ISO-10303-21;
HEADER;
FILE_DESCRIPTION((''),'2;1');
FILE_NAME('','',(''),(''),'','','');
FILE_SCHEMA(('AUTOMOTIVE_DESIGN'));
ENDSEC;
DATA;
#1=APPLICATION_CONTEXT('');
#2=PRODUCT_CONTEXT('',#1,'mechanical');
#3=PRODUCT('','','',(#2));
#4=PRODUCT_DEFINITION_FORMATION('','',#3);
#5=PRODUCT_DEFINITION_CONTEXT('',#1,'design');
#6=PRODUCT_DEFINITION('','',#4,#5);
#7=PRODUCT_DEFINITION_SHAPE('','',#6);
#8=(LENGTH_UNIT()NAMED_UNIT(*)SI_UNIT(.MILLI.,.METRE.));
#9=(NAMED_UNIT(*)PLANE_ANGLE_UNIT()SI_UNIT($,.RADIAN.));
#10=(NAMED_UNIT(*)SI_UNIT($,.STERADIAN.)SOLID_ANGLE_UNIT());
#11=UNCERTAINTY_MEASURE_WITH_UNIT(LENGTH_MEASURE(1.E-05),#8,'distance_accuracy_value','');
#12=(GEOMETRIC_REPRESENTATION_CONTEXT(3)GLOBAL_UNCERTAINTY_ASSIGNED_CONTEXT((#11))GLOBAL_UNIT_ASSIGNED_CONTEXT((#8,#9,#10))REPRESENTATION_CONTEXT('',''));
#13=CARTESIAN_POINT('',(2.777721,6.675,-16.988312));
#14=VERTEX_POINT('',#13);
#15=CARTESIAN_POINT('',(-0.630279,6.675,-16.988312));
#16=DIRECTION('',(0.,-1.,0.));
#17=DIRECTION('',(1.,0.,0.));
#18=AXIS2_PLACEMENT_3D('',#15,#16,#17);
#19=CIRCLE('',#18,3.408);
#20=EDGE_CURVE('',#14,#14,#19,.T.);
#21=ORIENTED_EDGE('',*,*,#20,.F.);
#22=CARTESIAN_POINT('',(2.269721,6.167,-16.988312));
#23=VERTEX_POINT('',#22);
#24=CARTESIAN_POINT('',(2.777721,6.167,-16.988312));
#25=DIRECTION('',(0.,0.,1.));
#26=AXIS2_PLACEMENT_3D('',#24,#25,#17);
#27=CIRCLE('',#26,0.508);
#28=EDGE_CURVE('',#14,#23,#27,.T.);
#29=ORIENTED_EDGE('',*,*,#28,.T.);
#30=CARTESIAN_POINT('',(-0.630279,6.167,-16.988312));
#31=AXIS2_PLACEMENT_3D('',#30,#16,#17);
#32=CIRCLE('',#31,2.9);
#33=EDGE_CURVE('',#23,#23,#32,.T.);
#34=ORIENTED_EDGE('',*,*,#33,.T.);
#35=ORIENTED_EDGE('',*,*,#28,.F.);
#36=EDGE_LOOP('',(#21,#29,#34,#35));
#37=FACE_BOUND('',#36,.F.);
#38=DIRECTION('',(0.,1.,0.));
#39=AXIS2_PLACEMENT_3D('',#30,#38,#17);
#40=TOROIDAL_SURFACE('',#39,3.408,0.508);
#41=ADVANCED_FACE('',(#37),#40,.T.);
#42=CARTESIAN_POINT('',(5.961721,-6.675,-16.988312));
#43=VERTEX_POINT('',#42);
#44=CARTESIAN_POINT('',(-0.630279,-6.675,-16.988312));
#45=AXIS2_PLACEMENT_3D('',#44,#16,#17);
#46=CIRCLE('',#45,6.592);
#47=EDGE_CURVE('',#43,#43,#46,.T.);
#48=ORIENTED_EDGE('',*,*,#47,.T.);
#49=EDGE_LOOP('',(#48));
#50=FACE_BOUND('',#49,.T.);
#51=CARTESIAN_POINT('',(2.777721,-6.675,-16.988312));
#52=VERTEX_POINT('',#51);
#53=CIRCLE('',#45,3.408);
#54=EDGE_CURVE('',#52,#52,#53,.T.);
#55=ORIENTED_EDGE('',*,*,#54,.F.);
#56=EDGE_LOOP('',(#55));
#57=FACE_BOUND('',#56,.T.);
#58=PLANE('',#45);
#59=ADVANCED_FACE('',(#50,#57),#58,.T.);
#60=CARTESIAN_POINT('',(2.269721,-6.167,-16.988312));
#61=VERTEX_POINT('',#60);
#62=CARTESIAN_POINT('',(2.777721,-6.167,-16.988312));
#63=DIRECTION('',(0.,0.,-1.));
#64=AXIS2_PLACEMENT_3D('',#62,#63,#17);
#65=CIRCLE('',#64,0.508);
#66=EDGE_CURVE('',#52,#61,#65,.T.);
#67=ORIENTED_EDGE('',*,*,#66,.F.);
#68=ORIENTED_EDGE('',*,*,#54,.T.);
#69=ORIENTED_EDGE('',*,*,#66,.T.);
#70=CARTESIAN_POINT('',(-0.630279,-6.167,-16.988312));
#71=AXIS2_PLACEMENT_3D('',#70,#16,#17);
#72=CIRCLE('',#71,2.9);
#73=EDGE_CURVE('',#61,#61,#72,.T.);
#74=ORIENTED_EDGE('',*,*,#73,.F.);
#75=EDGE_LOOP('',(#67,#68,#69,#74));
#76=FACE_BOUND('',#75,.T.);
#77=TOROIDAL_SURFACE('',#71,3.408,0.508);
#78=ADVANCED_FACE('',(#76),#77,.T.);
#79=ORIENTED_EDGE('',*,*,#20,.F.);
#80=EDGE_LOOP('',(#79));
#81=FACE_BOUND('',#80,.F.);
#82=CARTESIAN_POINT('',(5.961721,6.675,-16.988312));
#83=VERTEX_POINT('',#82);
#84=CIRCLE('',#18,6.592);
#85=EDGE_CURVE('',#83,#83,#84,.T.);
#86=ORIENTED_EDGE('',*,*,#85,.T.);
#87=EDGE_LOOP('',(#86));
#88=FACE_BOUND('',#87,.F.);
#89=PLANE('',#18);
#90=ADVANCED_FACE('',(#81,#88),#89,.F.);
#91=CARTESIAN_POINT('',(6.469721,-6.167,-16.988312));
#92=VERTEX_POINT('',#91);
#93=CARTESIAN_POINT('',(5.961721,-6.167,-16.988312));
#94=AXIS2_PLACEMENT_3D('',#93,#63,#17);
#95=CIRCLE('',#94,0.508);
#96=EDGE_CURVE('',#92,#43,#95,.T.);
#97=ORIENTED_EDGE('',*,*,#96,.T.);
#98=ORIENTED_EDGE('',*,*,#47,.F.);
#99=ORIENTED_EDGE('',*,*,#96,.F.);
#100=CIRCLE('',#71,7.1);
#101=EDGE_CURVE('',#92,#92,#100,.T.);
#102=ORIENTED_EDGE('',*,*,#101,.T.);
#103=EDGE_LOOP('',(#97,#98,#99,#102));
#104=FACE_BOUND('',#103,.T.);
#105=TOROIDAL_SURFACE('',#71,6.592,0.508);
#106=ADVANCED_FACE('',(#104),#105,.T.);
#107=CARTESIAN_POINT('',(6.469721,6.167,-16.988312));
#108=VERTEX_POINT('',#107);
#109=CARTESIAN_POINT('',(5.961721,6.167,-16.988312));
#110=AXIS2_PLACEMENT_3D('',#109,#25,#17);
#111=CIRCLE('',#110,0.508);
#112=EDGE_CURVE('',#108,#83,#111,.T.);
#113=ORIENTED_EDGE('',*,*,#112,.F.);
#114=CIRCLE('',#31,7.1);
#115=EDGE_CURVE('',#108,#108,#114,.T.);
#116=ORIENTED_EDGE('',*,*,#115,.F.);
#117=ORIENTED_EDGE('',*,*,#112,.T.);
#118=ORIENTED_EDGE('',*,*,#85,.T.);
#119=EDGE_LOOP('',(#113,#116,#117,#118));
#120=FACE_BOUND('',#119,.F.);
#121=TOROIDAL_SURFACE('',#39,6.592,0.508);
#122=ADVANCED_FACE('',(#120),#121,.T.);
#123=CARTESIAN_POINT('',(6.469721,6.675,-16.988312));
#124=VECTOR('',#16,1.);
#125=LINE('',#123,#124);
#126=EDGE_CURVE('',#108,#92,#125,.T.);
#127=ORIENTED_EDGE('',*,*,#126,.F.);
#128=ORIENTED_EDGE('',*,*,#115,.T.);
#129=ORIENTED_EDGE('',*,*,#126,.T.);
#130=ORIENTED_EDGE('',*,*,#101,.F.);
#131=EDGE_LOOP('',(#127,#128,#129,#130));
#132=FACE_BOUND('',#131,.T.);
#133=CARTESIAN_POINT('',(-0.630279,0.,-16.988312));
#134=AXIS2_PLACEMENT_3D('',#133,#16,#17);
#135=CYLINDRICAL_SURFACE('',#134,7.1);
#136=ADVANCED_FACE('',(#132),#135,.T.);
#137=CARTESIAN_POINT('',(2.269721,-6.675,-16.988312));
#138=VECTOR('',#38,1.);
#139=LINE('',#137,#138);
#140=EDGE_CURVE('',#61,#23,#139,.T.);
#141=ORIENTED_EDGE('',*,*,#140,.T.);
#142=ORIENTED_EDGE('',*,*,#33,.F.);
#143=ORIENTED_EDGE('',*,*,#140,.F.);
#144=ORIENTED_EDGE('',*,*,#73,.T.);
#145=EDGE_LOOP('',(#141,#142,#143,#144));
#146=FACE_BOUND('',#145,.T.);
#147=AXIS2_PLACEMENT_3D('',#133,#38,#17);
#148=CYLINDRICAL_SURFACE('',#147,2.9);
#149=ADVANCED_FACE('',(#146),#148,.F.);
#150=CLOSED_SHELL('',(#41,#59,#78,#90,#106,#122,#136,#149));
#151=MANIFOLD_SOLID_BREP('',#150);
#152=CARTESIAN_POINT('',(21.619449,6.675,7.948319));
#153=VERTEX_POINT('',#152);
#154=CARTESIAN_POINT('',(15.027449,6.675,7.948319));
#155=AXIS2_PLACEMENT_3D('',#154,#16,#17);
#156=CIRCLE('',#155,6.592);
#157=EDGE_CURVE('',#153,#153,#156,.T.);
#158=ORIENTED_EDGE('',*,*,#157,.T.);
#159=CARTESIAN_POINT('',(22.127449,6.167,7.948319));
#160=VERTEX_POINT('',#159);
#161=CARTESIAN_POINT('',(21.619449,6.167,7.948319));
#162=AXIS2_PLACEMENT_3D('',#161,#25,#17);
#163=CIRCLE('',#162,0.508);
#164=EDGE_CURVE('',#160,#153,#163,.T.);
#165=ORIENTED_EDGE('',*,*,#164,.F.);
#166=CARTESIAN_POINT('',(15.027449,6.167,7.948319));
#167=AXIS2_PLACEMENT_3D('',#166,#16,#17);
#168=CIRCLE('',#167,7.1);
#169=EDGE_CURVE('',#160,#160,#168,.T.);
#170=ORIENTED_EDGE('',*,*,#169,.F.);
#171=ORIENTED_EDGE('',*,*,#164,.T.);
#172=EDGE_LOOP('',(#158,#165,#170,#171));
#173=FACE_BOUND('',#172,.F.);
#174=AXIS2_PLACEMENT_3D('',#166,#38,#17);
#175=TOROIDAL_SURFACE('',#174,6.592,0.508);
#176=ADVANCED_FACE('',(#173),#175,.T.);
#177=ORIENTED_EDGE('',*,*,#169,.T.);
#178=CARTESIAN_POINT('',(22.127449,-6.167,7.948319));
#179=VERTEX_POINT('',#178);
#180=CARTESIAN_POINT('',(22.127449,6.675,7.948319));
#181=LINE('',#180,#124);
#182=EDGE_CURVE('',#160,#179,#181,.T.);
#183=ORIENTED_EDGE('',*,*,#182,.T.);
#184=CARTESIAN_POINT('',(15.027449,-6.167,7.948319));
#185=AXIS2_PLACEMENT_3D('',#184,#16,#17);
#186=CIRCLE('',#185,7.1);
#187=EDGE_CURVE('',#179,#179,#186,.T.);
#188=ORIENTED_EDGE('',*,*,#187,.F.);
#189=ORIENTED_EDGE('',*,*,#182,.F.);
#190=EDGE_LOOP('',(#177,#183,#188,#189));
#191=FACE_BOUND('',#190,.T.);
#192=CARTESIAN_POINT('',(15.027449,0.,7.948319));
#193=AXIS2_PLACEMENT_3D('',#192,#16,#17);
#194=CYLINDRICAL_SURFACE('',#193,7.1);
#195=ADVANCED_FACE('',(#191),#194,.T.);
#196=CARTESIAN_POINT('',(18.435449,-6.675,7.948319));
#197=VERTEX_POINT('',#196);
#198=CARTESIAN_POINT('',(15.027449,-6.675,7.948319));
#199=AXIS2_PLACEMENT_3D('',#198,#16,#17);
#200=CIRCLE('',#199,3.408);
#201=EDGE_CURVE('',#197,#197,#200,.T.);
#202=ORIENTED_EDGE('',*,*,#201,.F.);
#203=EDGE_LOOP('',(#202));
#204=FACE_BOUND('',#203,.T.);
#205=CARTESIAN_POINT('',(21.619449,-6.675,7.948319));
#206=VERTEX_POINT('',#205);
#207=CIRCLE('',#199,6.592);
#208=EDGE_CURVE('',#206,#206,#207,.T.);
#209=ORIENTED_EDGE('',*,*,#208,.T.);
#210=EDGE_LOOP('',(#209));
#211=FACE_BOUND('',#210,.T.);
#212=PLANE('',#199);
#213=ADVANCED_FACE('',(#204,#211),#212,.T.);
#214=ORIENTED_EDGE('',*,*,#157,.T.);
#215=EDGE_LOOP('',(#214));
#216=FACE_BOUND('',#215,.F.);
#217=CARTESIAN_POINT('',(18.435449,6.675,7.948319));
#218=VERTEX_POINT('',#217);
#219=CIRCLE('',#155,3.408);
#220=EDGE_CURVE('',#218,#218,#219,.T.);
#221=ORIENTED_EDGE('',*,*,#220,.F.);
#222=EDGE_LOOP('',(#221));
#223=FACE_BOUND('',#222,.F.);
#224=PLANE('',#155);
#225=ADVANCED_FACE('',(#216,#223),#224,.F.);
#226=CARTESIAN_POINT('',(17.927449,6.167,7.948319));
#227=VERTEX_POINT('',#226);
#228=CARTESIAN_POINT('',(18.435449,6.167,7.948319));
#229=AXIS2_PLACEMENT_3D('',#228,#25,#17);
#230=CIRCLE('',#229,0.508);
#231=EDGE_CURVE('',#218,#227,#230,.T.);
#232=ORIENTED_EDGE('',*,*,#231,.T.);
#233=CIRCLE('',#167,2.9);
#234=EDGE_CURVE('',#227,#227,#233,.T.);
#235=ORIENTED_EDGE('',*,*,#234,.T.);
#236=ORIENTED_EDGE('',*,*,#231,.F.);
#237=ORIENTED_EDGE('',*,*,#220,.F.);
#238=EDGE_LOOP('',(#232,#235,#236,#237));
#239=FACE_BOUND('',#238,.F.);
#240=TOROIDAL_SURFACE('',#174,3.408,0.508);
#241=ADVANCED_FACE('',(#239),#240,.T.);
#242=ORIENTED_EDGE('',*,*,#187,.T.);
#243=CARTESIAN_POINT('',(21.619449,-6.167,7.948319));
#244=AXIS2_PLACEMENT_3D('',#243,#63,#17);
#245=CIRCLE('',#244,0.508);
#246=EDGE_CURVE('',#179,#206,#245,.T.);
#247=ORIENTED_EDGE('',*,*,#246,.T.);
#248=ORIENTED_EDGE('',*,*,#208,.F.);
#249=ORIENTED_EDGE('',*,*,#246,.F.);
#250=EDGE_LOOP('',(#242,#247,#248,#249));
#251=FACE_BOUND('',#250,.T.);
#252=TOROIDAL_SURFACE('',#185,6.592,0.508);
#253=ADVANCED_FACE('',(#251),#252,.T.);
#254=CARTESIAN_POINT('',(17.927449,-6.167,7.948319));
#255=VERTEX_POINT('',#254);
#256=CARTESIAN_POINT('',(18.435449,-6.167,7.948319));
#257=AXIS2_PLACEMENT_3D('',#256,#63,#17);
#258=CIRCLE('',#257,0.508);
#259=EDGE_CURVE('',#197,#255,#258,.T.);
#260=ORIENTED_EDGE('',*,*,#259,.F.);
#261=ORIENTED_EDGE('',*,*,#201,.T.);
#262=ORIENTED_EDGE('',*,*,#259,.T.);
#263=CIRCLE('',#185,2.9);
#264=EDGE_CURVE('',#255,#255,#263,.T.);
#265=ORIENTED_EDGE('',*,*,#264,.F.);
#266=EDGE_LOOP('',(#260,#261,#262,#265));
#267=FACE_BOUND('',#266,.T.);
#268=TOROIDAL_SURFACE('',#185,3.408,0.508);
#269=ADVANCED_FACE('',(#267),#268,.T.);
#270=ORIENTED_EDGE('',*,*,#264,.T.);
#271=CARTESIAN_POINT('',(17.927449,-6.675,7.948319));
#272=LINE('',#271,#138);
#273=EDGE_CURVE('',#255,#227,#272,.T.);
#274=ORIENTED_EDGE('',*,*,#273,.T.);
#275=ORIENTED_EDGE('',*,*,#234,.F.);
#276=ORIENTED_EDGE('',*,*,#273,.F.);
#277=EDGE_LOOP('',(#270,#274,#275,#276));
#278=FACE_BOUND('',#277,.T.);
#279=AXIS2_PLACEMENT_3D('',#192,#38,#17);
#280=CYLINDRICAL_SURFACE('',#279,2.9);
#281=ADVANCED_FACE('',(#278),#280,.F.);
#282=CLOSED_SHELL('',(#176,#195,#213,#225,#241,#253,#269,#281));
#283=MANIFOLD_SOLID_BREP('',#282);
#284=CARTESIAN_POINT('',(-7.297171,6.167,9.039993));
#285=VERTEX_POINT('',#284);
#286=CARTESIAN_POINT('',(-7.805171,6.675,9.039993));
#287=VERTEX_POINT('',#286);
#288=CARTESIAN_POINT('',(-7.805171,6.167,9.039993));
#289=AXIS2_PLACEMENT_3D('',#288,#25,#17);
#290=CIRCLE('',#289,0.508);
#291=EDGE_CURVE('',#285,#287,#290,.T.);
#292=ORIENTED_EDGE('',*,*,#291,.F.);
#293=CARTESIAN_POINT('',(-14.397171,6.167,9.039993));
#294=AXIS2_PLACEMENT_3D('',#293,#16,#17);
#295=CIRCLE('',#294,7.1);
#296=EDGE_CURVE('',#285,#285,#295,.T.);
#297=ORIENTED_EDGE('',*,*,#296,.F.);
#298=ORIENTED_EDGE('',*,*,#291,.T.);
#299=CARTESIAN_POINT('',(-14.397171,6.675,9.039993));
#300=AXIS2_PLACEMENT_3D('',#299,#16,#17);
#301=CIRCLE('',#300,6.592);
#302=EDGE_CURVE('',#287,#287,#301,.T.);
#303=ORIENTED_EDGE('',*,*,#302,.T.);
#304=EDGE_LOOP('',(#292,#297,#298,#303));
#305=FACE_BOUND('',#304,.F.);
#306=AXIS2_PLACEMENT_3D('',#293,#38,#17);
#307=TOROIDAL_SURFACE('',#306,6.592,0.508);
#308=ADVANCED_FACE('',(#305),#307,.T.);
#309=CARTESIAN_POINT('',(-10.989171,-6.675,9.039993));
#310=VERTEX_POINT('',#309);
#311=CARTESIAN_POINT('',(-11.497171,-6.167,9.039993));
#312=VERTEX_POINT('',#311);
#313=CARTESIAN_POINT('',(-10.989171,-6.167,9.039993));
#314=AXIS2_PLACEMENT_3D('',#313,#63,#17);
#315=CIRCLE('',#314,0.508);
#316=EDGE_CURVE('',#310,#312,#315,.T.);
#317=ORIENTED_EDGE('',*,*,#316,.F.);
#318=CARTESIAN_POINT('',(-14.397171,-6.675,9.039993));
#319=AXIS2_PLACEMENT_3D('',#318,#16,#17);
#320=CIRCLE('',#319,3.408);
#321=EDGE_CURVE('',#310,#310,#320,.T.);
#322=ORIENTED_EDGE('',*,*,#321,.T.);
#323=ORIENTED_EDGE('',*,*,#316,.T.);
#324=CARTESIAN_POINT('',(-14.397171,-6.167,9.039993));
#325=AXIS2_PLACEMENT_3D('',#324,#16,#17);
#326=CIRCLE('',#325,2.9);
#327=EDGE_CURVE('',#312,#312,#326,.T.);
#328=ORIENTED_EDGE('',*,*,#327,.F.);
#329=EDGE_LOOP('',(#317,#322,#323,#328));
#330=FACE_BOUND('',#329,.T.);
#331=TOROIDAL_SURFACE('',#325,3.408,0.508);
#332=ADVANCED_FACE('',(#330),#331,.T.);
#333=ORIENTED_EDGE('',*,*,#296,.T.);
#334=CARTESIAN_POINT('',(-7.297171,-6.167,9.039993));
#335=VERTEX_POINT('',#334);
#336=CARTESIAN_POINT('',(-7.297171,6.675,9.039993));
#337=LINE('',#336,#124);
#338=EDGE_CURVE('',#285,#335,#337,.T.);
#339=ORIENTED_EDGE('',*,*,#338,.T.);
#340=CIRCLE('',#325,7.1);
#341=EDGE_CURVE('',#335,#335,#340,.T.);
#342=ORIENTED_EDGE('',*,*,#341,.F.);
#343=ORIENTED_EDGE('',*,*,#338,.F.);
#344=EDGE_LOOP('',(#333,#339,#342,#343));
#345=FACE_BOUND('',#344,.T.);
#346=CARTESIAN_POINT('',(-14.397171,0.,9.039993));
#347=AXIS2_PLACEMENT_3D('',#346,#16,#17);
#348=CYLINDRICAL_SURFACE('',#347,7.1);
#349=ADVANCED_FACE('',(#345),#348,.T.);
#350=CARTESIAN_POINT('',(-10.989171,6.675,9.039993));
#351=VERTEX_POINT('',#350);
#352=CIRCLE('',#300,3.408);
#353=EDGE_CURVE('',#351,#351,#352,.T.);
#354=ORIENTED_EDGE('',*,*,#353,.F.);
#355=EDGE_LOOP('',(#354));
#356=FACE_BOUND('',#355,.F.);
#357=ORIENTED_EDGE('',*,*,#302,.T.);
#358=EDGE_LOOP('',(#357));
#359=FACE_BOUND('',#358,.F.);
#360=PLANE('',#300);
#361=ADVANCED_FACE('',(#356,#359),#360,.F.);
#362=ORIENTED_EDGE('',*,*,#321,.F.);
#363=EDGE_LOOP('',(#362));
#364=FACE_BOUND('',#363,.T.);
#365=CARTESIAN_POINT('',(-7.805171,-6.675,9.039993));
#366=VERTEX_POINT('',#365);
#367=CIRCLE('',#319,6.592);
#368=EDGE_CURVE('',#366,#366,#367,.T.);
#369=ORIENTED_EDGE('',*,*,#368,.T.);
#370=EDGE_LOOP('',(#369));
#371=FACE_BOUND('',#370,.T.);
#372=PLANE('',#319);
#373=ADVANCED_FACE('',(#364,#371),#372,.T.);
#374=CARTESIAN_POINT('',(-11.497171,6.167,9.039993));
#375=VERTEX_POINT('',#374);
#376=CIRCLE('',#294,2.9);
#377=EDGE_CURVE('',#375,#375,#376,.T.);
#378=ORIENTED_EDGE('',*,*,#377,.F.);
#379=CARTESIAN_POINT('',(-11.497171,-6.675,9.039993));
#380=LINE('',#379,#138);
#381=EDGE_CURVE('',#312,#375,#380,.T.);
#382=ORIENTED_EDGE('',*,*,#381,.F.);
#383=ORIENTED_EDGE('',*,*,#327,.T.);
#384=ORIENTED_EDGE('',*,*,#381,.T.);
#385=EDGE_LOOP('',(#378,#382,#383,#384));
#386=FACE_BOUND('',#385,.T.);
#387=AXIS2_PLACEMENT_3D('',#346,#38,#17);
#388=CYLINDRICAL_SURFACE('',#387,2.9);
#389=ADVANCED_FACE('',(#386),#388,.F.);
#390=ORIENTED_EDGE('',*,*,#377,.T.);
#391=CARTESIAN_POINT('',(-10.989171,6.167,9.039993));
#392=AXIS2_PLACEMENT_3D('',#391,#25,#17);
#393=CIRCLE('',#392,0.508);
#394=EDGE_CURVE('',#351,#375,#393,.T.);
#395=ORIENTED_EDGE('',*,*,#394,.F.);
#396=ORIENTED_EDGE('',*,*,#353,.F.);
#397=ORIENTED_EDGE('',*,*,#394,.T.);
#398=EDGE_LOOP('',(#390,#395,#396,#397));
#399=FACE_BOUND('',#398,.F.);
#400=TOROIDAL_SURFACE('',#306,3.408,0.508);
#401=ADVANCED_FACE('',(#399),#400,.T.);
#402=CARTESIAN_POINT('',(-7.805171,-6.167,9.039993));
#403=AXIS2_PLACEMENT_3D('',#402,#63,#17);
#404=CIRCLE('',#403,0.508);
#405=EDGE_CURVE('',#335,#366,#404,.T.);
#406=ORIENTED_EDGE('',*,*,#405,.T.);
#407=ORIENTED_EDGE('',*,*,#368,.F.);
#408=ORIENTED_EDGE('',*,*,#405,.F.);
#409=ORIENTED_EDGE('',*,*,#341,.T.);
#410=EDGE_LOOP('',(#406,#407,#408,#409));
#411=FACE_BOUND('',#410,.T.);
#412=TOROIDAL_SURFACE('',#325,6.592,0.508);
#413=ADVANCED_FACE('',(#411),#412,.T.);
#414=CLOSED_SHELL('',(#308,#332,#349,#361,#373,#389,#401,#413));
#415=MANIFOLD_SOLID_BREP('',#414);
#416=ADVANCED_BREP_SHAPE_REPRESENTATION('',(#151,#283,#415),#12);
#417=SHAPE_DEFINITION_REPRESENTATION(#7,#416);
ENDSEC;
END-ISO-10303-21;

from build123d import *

# Parameters (mm, degrees)
F1_R     = 7.1
F1_R_2   = 2.9
F2_DEPTH = 6.675
F3_R     = 0.508
F3_2_R   = 0.508
F3_3_R   = 0.508
F4_R     = 0.508
F4_2_R   = 0.508
F4_3_R   = 0.508


with BuildPart() as f2:
    # F1 (on Front) → F2 (new body, symmetric)
    with BuildSketch(Plane.XZ):
        with Locations((15.027449182, 7.9483187582)):
            Circle(F1_R)
        with Locations((15.027449182, 7.9483187582)):
            Circle(F1_R_2, mode=Mode.SUBTRACT)
    extrude(amount=F2_DEPTH, both=True)

    # F3#2
    f3_2_edges = [f2.edges().sort_by_distance(p)[0] for p in [
        (7.927449, 6.675, 7.948319),
        (7.927449, -6.675, 7.948319),
    ]]
    fillet(f3_2_edges, radius=F3_2_R)

    # F4
    f4_edges = [f2.edges().sort_by_distance(p)[0] for p in [
        (12.127449, -6.675, 7.948319),
        (12.127449, 6.675, 7.948319),
    ]]
    fillet(f4_edges, radius=F4_R)


with BuildPart() as f2b:
    # F1 (on Front) → F2, piece 2 (new body, symmetric)
    with BuildSketch(Plane.XZ):
        with Locations((-14.397170553, 9.0399933666)):
            Circle(F1_R)
        with Locations((-14.397170553, 9.0399933666)):
            Circle(F1_R_2, mode=Mode.SUBTRACT)
    extrude(amount=F2_DEPTH, both=True)

    # F3
    f3_edges = [f2b.edges().sort_by_distance(p)[0] for p in [
        (-21.497171, 6.675, 9.039993),
        (-21.497171, -6.675, 9.039993),
    ]]
    fillet(f3_edges, radius=F3_R)

    # F4#3
    f4_3_edges = [f2b.edges().sort_by_distance(p)[0] for p in [
        (-17.297171, -6.675, 9.039993),
        (-17.297171, 6.675, 9.039993),
    ]]
    fillet(f4_3_edges, radius=F4_3_R)


with BuildPart() as f2c:
    # F1 (on Front) → F2, piece 3 (new body, symmetric)
    with BuildSketch(Plane.XZ):
        with Locations((-0.630278629, -16.9883121248)):
            Circle(F1_R)
        with Locations((-0.630278629, -16.9883121248)):
            Circle(F1_R_2, mode=Mode.SUBTRACT)
    extrude(amount=F2_DEPTH, both=True)

    # F3#3
    f3_3_edges = [f2c.edges().sort_by_distance(p)[0] for p in [
        (-7.730279, 6.675, -16.988312),
        (-7.730279, -6.675, -16.988312),
    ]]
    fillet(f3_3_edges, radius=F3_3_R)

    # F4#2
    f4_2_edges = [f2c.edges().sort_by_distance(p)[0] for p in [
        (-3.530279, -6.675, -16.988312),
        (-3.530279, 6.675, -16.988312),
    ]]
    fillet(f4_2_edges, radius=F4_2_R)


solid = Compound([f2.part, f2b.part, f2c.part])
